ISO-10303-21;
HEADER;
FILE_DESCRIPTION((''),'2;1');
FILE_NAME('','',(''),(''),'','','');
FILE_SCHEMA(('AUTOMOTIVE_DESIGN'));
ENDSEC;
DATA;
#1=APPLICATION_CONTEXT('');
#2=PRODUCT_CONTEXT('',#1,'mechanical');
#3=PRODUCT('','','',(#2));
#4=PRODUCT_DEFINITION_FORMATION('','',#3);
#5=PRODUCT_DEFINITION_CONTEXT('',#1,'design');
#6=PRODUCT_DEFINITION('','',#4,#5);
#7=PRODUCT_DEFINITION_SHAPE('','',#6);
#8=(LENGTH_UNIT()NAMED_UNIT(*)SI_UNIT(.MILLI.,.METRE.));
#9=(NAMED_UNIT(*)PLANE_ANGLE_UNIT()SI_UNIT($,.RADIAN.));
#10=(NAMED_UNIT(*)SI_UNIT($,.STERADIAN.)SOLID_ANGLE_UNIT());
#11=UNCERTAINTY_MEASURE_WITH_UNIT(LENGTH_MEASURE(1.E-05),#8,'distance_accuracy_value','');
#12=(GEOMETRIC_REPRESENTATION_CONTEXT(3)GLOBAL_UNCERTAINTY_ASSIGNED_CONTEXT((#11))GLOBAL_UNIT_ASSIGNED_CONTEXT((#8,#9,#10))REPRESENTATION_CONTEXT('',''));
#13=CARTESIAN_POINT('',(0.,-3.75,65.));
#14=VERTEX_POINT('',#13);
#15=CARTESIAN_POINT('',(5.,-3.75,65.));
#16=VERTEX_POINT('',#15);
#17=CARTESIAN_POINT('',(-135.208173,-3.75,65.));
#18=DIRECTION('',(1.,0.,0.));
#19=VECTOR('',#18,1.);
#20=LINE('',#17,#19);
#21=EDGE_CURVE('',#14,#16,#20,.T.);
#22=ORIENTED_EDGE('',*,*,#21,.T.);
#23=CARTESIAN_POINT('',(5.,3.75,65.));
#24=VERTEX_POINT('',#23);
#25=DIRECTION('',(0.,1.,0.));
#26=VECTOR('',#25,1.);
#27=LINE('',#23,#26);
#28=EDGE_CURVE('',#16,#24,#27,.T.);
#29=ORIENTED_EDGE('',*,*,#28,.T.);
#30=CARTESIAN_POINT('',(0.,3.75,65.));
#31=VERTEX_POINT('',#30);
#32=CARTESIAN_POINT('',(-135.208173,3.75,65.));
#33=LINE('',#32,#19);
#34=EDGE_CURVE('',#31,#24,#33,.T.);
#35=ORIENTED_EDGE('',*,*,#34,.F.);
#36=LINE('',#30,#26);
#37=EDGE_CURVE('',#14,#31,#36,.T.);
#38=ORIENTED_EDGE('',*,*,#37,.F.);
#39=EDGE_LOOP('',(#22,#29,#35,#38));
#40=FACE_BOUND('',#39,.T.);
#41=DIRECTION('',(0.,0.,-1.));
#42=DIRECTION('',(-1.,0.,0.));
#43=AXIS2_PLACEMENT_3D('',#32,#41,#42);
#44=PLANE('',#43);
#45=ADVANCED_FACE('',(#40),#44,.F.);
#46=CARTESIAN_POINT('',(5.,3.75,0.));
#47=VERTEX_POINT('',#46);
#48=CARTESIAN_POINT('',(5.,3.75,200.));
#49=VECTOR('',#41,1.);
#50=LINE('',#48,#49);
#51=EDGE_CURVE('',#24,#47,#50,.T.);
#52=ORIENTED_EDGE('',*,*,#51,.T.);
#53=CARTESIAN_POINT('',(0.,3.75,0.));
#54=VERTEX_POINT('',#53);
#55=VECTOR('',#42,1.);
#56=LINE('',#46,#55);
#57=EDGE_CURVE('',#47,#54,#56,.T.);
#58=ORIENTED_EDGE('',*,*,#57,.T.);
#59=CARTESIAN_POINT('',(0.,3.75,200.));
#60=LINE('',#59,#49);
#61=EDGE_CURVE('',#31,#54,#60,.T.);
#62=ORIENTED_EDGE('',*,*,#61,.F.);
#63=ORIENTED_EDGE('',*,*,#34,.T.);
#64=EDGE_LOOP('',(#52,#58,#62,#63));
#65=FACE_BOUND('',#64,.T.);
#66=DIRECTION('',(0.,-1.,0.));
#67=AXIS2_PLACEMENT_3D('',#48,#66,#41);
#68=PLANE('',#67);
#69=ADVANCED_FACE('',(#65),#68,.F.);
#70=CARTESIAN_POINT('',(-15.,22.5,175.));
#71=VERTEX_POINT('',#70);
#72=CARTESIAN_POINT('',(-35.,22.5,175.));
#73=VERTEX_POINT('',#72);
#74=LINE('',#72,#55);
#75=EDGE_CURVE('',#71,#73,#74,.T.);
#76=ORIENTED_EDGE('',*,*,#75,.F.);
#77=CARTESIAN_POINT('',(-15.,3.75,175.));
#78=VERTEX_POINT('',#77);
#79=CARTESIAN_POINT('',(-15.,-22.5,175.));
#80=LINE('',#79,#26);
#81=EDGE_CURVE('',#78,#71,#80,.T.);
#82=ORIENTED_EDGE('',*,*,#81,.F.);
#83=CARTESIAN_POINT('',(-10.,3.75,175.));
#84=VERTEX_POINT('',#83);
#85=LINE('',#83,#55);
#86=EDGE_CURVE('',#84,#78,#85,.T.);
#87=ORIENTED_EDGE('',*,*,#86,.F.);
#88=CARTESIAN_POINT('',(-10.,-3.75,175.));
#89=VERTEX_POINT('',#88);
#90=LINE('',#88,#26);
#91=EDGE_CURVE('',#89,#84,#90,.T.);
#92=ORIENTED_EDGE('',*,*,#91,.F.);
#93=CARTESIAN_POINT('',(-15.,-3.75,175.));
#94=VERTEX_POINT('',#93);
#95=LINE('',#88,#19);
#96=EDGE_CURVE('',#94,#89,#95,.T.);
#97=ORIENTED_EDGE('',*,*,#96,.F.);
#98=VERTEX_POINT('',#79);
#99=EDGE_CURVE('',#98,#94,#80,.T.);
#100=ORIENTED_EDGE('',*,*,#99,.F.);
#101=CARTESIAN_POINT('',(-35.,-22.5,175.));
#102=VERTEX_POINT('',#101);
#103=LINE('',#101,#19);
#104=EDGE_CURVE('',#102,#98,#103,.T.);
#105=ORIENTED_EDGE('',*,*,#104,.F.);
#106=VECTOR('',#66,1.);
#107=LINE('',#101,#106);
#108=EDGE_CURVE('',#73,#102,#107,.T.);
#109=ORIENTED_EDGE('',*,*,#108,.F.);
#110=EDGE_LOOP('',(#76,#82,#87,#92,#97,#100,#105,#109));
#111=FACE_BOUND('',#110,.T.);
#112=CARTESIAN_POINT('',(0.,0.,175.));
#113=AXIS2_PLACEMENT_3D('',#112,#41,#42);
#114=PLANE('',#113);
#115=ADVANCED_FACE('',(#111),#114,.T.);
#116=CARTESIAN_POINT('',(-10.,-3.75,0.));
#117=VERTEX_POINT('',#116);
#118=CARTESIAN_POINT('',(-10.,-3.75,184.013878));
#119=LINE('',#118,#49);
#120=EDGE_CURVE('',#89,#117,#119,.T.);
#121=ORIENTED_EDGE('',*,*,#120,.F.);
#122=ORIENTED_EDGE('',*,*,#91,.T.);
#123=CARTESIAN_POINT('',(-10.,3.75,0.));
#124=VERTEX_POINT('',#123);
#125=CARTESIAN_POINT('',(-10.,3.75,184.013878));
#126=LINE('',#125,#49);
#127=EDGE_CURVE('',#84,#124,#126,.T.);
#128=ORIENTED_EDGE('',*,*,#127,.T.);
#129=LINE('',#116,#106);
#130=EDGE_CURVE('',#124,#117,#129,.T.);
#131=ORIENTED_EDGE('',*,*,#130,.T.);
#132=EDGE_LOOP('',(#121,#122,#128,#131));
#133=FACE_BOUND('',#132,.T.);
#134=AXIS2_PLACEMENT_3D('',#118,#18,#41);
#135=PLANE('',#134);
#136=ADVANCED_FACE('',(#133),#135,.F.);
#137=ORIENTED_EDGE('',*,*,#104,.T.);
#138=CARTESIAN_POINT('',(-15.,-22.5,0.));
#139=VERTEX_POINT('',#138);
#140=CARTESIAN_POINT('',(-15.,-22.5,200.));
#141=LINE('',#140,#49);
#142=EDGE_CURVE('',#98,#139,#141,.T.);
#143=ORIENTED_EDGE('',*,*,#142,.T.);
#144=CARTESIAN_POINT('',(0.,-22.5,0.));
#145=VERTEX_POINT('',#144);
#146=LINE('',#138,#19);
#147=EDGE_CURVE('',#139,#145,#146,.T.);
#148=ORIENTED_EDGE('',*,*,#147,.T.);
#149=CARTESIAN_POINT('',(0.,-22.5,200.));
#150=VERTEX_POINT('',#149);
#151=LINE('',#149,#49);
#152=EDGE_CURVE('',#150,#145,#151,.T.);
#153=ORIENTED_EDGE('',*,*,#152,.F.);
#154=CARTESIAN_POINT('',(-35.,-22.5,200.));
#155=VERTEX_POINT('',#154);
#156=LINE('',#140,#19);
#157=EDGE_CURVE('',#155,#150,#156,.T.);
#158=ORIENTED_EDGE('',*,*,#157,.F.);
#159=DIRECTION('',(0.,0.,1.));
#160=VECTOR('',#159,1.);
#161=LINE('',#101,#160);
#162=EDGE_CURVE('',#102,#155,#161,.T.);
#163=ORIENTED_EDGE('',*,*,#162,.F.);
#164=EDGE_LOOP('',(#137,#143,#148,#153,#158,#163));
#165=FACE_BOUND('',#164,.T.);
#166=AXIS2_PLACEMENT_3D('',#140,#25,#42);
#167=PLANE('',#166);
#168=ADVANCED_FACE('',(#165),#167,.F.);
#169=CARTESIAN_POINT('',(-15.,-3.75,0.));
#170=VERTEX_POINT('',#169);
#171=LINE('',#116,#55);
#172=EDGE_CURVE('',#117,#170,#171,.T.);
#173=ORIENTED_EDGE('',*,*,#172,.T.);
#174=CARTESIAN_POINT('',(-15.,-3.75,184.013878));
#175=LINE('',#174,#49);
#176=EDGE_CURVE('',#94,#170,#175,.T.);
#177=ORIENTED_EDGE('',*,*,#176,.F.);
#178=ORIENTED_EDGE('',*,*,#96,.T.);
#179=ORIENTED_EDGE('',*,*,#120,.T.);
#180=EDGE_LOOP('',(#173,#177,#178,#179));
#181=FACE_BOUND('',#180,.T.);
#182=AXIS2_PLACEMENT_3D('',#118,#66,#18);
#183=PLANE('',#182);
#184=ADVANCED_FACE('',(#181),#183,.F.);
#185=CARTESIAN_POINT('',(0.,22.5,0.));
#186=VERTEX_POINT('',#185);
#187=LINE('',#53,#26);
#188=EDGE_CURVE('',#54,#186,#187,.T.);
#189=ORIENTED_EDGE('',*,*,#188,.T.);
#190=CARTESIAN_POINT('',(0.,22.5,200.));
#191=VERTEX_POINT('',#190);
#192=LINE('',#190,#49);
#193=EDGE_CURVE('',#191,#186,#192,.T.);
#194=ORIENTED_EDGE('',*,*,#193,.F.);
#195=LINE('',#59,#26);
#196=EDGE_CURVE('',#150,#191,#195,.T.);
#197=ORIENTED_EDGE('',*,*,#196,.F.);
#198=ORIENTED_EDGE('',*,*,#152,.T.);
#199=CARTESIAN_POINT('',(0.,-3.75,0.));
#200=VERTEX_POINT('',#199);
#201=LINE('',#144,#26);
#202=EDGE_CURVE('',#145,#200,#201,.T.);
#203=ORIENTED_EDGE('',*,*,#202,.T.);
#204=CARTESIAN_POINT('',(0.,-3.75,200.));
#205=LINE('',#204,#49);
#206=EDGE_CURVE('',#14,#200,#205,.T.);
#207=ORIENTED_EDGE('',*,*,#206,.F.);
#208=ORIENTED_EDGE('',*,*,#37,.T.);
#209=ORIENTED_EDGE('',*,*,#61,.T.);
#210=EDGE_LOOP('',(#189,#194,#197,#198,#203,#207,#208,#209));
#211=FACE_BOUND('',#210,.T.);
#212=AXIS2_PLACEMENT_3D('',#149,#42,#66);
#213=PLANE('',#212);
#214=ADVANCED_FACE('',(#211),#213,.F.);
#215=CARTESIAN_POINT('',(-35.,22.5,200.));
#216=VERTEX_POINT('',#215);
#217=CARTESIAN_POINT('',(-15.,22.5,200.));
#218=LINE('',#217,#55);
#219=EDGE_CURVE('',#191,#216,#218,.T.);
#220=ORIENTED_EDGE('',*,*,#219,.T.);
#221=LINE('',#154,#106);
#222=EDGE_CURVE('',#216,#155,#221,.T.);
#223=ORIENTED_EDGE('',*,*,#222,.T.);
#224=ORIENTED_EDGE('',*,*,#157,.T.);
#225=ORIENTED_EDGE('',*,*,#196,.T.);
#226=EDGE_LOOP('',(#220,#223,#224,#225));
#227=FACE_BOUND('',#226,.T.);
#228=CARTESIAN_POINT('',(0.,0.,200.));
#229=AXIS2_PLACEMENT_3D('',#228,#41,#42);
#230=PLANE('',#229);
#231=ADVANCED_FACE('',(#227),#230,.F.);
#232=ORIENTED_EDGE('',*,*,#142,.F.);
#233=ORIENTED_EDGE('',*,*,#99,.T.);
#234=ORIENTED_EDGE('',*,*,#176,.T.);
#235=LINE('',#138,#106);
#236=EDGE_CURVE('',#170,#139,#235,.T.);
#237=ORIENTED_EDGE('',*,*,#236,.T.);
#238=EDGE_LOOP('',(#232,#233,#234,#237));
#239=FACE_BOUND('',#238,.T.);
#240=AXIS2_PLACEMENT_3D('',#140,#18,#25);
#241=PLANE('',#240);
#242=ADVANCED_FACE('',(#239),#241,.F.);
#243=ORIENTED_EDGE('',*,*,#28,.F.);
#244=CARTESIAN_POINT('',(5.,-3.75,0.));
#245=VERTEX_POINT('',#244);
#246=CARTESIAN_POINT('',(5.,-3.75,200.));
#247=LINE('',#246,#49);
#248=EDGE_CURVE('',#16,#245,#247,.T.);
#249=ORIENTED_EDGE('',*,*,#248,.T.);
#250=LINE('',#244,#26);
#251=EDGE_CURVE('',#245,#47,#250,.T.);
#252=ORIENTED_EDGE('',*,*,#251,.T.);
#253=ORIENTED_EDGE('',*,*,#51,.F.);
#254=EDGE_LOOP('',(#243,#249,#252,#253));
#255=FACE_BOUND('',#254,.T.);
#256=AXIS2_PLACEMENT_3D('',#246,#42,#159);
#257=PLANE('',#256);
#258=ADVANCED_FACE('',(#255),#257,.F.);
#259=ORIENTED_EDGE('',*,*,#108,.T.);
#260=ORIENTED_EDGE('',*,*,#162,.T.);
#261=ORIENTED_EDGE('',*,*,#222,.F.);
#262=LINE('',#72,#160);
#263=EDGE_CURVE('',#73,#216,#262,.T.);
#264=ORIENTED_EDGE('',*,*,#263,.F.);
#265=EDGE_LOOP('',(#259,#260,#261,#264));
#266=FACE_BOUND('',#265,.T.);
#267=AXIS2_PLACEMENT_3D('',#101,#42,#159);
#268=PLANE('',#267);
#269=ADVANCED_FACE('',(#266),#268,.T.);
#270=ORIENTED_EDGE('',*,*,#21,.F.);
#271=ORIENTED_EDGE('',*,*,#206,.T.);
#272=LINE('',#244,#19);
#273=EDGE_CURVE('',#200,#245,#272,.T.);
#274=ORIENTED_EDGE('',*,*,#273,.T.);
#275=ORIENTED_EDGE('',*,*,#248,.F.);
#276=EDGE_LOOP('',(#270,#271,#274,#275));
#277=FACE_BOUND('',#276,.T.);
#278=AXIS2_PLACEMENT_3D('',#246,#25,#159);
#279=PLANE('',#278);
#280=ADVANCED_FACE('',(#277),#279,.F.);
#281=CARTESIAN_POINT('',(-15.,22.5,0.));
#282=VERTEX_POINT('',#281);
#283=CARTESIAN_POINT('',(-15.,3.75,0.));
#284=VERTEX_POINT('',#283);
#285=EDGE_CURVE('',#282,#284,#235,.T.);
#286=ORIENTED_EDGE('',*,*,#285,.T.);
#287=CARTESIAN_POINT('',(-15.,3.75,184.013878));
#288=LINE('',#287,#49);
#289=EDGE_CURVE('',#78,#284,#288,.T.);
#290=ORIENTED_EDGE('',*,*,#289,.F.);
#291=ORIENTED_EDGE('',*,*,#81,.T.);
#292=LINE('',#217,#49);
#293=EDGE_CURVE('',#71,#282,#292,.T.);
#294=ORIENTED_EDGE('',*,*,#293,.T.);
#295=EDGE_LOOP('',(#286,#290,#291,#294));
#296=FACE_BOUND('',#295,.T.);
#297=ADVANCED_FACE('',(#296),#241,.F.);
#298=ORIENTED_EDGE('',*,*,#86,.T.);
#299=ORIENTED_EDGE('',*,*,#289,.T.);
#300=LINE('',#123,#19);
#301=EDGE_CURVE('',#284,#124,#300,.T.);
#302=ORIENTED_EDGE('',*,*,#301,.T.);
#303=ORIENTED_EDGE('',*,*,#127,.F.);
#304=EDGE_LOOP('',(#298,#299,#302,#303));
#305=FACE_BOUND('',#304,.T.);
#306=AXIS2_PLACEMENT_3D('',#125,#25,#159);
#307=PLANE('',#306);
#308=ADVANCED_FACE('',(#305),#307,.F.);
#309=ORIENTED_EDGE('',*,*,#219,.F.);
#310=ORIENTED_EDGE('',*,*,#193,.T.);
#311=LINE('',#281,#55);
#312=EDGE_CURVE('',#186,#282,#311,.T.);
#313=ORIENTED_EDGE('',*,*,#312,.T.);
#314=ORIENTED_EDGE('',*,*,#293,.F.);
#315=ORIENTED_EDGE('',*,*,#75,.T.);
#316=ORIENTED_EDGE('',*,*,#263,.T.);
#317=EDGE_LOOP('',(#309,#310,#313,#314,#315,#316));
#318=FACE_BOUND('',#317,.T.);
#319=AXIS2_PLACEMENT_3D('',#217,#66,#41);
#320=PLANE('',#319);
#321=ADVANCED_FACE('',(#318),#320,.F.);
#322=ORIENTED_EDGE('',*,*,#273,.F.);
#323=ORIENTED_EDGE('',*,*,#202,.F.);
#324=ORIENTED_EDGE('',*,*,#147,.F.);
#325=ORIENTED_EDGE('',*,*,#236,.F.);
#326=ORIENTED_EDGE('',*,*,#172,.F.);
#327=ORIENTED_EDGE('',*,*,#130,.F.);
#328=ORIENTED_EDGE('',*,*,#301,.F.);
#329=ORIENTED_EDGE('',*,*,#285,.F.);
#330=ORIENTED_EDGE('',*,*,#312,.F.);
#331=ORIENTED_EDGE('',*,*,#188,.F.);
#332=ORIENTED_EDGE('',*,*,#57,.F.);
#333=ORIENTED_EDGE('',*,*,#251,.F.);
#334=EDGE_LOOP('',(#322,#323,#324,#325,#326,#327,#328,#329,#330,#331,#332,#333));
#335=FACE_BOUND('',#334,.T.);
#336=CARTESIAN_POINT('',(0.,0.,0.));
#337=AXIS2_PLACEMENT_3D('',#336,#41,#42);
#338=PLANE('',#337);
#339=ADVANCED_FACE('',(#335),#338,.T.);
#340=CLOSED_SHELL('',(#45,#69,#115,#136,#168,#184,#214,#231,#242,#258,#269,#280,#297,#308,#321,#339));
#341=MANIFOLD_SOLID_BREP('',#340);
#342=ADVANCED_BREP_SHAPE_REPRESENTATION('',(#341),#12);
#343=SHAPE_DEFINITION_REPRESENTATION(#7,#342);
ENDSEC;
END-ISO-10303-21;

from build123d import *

# Parameters (mm, degrees)
BOSS_EXTRUDE3_DEPTH = 200
SKETCH5_W           = 135
SKETCH5_H           = 7.5
CUT_EXTRUDE1_DEPTH  = 5
SKETCH6_W           = 20
SKETCH6_H           = 45
BOSS_EXTRUDE4_DEPTH = 25
SKETCH7_W           = 5
SKETCH7_H           = 7.5
CUT_EXTRUDE2_DEPTH  = 175


with BuildPart() as part:
    # Sketch4 → Boss-Extrude3 (new body)
    with BuildSketch(Plane.XY):
        Polygon((5, -3.75), (0, -3.75), (0, -22.5), (-15, -22.5), (-15, 22.5), (0, 22.5), (0, 3.75), (5, 3.75), align=None)
    extrude(amount=BOSS_EXTRUDE3_DEPTH)

    # Sketch5 → Cut-Extrude1 (cut)
    with BuildSketch(Plane(origin=(5, 0, 0), x_dir=(0, 0, -1), z_dir=(1, 0, 0))):
        with Locations((-132.5, 0)):
            Rectangle(SKETCH5_W, SKETCH5_H)
    extrude(amount=-CUT_EXTRUDE1_DEPTH, mode=Mode.SUBTRACT)

    # Sketch6 → Boss-Extrude4 (add)
    with BuildSketch(Plane.XY.offset(200)):
        with Locations((-25, 0)):
            Rectangle(SKETCH6_W, SKETCH6_H)
    extrude(amount=-BOSS_EXTRUDE4_DEPTH)

    # Sketch7 → Cut-Extrude2 (cut)
    with BuildSketch(Plane(origin=(0, 0, 0), x_dir=(-1, 0, 0), z_dir=(0, 0, -1))):
        with Locations((12.5, 0)):
            Rectangle(SKETCH7_W, SKETCH7_H)
    extrude(amount=-CUT_EXTRUDE2_DEPTH, mode=Mode.SUBTRACT)


solid = part.part
